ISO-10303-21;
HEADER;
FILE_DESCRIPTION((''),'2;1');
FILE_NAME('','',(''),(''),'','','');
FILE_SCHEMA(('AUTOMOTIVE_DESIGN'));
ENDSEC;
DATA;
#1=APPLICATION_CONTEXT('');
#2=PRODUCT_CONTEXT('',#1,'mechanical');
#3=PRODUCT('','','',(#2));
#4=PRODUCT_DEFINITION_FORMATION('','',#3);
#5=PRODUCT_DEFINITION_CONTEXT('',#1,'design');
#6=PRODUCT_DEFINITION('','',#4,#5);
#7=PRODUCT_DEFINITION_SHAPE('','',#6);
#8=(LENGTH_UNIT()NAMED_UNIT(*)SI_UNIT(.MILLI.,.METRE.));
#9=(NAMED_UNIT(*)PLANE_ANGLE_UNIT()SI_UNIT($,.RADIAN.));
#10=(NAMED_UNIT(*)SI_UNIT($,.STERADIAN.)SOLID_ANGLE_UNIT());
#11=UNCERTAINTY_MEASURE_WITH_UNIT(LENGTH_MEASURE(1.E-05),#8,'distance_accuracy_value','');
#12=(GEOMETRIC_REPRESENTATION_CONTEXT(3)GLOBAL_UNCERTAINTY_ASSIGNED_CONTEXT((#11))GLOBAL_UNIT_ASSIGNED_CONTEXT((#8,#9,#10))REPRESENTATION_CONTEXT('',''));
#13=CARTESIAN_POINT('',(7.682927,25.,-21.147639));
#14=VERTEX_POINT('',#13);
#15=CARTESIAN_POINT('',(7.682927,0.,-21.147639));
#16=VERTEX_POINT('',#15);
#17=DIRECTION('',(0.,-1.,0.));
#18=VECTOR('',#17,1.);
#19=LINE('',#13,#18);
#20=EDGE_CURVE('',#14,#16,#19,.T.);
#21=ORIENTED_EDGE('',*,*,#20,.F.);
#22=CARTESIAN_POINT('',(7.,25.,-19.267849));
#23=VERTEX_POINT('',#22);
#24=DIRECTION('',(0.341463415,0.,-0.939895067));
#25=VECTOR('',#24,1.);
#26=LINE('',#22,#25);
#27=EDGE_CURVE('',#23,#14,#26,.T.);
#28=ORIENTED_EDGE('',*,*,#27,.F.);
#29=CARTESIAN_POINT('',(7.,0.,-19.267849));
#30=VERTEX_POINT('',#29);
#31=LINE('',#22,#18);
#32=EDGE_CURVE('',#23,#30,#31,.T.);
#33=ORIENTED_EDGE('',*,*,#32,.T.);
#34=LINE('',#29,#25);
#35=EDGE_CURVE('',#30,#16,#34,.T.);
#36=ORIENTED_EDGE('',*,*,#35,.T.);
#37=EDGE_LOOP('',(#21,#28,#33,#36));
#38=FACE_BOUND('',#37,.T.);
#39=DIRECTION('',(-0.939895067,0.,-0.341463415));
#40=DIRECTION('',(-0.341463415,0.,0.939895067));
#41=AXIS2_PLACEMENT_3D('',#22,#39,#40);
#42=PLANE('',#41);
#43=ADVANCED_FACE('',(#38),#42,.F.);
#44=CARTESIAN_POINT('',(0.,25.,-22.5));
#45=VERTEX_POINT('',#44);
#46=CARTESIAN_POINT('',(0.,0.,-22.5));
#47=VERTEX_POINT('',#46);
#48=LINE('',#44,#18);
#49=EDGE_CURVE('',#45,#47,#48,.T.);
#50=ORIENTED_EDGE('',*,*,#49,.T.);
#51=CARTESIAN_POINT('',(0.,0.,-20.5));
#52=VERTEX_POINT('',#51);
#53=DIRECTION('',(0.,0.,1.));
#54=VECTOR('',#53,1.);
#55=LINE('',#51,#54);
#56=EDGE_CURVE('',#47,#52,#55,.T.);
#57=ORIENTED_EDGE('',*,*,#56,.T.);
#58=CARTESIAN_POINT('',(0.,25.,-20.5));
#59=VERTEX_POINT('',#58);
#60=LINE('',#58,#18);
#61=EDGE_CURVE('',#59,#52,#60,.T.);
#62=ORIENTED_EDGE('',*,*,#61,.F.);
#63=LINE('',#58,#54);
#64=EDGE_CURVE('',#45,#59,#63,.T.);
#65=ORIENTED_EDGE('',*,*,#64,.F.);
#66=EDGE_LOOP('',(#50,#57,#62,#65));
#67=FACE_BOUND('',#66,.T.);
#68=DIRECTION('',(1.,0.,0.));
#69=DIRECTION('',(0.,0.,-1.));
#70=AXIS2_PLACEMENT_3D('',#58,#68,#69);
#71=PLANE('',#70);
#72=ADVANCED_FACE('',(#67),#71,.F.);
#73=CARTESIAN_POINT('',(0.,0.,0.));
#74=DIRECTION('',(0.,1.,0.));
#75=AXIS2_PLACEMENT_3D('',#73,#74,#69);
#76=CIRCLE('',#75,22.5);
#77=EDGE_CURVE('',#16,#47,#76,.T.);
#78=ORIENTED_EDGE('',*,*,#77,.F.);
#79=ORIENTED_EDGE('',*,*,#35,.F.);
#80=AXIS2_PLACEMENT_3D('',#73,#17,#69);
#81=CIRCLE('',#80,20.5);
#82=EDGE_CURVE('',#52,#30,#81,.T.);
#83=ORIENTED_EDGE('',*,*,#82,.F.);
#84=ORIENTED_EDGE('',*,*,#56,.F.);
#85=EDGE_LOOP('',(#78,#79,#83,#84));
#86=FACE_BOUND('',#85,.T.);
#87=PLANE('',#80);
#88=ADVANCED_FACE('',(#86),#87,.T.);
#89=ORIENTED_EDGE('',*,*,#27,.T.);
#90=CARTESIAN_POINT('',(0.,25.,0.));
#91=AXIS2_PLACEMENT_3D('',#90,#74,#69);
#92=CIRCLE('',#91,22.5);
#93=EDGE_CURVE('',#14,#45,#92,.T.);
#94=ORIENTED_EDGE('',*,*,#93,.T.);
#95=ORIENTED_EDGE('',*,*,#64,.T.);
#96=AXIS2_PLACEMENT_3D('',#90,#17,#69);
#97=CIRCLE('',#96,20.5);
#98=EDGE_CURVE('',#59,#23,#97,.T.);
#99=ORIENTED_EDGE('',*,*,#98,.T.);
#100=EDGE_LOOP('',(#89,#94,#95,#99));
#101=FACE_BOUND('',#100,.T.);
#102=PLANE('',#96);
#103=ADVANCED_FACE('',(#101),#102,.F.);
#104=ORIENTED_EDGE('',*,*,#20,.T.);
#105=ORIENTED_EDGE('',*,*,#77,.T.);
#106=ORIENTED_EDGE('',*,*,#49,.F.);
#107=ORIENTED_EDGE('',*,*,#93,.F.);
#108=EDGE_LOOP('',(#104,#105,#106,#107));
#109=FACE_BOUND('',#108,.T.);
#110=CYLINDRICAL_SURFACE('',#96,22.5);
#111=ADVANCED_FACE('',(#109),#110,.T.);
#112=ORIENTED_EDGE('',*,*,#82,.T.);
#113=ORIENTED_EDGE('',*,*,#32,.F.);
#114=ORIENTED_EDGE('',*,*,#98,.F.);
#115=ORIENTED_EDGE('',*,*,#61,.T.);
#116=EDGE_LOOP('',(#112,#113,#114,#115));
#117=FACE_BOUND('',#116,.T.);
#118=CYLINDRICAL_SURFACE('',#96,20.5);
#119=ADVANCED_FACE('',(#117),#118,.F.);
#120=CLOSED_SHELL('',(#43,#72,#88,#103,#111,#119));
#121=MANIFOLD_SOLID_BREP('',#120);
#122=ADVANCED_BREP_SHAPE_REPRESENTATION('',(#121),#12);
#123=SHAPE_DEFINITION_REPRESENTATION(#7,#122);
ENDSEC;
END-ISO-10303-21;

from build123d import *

# Parameters (mm, degrees)
BOSS_EXTRUDE1_DEPTH = 25


with BuildPart() as part:
    # Sketch1 → Boss-Extrude1 (new body)
    with BuildSketch(Plane(origin=(0, 0, 0), x_dir=(1, 0, 0), z_dir=(0, 1, 0))):
        with BuildLine():
            Line((7, 19.267848868), (7.682926829, 21.147639001))
            ThreePointArc((7.682926829, 21.147639001), (3.900520636, 22.159330738), (0, 22.5))
            Line((0, 22.5), (0, 20.5))
            ThreePointArc((0, 20.5), (3.553807691, 20.18961245), (7, 19.267848868))
        make_face()
    extrude(amount=BOSS_EXTRUDE1_DEPTH)


solid = part.part
